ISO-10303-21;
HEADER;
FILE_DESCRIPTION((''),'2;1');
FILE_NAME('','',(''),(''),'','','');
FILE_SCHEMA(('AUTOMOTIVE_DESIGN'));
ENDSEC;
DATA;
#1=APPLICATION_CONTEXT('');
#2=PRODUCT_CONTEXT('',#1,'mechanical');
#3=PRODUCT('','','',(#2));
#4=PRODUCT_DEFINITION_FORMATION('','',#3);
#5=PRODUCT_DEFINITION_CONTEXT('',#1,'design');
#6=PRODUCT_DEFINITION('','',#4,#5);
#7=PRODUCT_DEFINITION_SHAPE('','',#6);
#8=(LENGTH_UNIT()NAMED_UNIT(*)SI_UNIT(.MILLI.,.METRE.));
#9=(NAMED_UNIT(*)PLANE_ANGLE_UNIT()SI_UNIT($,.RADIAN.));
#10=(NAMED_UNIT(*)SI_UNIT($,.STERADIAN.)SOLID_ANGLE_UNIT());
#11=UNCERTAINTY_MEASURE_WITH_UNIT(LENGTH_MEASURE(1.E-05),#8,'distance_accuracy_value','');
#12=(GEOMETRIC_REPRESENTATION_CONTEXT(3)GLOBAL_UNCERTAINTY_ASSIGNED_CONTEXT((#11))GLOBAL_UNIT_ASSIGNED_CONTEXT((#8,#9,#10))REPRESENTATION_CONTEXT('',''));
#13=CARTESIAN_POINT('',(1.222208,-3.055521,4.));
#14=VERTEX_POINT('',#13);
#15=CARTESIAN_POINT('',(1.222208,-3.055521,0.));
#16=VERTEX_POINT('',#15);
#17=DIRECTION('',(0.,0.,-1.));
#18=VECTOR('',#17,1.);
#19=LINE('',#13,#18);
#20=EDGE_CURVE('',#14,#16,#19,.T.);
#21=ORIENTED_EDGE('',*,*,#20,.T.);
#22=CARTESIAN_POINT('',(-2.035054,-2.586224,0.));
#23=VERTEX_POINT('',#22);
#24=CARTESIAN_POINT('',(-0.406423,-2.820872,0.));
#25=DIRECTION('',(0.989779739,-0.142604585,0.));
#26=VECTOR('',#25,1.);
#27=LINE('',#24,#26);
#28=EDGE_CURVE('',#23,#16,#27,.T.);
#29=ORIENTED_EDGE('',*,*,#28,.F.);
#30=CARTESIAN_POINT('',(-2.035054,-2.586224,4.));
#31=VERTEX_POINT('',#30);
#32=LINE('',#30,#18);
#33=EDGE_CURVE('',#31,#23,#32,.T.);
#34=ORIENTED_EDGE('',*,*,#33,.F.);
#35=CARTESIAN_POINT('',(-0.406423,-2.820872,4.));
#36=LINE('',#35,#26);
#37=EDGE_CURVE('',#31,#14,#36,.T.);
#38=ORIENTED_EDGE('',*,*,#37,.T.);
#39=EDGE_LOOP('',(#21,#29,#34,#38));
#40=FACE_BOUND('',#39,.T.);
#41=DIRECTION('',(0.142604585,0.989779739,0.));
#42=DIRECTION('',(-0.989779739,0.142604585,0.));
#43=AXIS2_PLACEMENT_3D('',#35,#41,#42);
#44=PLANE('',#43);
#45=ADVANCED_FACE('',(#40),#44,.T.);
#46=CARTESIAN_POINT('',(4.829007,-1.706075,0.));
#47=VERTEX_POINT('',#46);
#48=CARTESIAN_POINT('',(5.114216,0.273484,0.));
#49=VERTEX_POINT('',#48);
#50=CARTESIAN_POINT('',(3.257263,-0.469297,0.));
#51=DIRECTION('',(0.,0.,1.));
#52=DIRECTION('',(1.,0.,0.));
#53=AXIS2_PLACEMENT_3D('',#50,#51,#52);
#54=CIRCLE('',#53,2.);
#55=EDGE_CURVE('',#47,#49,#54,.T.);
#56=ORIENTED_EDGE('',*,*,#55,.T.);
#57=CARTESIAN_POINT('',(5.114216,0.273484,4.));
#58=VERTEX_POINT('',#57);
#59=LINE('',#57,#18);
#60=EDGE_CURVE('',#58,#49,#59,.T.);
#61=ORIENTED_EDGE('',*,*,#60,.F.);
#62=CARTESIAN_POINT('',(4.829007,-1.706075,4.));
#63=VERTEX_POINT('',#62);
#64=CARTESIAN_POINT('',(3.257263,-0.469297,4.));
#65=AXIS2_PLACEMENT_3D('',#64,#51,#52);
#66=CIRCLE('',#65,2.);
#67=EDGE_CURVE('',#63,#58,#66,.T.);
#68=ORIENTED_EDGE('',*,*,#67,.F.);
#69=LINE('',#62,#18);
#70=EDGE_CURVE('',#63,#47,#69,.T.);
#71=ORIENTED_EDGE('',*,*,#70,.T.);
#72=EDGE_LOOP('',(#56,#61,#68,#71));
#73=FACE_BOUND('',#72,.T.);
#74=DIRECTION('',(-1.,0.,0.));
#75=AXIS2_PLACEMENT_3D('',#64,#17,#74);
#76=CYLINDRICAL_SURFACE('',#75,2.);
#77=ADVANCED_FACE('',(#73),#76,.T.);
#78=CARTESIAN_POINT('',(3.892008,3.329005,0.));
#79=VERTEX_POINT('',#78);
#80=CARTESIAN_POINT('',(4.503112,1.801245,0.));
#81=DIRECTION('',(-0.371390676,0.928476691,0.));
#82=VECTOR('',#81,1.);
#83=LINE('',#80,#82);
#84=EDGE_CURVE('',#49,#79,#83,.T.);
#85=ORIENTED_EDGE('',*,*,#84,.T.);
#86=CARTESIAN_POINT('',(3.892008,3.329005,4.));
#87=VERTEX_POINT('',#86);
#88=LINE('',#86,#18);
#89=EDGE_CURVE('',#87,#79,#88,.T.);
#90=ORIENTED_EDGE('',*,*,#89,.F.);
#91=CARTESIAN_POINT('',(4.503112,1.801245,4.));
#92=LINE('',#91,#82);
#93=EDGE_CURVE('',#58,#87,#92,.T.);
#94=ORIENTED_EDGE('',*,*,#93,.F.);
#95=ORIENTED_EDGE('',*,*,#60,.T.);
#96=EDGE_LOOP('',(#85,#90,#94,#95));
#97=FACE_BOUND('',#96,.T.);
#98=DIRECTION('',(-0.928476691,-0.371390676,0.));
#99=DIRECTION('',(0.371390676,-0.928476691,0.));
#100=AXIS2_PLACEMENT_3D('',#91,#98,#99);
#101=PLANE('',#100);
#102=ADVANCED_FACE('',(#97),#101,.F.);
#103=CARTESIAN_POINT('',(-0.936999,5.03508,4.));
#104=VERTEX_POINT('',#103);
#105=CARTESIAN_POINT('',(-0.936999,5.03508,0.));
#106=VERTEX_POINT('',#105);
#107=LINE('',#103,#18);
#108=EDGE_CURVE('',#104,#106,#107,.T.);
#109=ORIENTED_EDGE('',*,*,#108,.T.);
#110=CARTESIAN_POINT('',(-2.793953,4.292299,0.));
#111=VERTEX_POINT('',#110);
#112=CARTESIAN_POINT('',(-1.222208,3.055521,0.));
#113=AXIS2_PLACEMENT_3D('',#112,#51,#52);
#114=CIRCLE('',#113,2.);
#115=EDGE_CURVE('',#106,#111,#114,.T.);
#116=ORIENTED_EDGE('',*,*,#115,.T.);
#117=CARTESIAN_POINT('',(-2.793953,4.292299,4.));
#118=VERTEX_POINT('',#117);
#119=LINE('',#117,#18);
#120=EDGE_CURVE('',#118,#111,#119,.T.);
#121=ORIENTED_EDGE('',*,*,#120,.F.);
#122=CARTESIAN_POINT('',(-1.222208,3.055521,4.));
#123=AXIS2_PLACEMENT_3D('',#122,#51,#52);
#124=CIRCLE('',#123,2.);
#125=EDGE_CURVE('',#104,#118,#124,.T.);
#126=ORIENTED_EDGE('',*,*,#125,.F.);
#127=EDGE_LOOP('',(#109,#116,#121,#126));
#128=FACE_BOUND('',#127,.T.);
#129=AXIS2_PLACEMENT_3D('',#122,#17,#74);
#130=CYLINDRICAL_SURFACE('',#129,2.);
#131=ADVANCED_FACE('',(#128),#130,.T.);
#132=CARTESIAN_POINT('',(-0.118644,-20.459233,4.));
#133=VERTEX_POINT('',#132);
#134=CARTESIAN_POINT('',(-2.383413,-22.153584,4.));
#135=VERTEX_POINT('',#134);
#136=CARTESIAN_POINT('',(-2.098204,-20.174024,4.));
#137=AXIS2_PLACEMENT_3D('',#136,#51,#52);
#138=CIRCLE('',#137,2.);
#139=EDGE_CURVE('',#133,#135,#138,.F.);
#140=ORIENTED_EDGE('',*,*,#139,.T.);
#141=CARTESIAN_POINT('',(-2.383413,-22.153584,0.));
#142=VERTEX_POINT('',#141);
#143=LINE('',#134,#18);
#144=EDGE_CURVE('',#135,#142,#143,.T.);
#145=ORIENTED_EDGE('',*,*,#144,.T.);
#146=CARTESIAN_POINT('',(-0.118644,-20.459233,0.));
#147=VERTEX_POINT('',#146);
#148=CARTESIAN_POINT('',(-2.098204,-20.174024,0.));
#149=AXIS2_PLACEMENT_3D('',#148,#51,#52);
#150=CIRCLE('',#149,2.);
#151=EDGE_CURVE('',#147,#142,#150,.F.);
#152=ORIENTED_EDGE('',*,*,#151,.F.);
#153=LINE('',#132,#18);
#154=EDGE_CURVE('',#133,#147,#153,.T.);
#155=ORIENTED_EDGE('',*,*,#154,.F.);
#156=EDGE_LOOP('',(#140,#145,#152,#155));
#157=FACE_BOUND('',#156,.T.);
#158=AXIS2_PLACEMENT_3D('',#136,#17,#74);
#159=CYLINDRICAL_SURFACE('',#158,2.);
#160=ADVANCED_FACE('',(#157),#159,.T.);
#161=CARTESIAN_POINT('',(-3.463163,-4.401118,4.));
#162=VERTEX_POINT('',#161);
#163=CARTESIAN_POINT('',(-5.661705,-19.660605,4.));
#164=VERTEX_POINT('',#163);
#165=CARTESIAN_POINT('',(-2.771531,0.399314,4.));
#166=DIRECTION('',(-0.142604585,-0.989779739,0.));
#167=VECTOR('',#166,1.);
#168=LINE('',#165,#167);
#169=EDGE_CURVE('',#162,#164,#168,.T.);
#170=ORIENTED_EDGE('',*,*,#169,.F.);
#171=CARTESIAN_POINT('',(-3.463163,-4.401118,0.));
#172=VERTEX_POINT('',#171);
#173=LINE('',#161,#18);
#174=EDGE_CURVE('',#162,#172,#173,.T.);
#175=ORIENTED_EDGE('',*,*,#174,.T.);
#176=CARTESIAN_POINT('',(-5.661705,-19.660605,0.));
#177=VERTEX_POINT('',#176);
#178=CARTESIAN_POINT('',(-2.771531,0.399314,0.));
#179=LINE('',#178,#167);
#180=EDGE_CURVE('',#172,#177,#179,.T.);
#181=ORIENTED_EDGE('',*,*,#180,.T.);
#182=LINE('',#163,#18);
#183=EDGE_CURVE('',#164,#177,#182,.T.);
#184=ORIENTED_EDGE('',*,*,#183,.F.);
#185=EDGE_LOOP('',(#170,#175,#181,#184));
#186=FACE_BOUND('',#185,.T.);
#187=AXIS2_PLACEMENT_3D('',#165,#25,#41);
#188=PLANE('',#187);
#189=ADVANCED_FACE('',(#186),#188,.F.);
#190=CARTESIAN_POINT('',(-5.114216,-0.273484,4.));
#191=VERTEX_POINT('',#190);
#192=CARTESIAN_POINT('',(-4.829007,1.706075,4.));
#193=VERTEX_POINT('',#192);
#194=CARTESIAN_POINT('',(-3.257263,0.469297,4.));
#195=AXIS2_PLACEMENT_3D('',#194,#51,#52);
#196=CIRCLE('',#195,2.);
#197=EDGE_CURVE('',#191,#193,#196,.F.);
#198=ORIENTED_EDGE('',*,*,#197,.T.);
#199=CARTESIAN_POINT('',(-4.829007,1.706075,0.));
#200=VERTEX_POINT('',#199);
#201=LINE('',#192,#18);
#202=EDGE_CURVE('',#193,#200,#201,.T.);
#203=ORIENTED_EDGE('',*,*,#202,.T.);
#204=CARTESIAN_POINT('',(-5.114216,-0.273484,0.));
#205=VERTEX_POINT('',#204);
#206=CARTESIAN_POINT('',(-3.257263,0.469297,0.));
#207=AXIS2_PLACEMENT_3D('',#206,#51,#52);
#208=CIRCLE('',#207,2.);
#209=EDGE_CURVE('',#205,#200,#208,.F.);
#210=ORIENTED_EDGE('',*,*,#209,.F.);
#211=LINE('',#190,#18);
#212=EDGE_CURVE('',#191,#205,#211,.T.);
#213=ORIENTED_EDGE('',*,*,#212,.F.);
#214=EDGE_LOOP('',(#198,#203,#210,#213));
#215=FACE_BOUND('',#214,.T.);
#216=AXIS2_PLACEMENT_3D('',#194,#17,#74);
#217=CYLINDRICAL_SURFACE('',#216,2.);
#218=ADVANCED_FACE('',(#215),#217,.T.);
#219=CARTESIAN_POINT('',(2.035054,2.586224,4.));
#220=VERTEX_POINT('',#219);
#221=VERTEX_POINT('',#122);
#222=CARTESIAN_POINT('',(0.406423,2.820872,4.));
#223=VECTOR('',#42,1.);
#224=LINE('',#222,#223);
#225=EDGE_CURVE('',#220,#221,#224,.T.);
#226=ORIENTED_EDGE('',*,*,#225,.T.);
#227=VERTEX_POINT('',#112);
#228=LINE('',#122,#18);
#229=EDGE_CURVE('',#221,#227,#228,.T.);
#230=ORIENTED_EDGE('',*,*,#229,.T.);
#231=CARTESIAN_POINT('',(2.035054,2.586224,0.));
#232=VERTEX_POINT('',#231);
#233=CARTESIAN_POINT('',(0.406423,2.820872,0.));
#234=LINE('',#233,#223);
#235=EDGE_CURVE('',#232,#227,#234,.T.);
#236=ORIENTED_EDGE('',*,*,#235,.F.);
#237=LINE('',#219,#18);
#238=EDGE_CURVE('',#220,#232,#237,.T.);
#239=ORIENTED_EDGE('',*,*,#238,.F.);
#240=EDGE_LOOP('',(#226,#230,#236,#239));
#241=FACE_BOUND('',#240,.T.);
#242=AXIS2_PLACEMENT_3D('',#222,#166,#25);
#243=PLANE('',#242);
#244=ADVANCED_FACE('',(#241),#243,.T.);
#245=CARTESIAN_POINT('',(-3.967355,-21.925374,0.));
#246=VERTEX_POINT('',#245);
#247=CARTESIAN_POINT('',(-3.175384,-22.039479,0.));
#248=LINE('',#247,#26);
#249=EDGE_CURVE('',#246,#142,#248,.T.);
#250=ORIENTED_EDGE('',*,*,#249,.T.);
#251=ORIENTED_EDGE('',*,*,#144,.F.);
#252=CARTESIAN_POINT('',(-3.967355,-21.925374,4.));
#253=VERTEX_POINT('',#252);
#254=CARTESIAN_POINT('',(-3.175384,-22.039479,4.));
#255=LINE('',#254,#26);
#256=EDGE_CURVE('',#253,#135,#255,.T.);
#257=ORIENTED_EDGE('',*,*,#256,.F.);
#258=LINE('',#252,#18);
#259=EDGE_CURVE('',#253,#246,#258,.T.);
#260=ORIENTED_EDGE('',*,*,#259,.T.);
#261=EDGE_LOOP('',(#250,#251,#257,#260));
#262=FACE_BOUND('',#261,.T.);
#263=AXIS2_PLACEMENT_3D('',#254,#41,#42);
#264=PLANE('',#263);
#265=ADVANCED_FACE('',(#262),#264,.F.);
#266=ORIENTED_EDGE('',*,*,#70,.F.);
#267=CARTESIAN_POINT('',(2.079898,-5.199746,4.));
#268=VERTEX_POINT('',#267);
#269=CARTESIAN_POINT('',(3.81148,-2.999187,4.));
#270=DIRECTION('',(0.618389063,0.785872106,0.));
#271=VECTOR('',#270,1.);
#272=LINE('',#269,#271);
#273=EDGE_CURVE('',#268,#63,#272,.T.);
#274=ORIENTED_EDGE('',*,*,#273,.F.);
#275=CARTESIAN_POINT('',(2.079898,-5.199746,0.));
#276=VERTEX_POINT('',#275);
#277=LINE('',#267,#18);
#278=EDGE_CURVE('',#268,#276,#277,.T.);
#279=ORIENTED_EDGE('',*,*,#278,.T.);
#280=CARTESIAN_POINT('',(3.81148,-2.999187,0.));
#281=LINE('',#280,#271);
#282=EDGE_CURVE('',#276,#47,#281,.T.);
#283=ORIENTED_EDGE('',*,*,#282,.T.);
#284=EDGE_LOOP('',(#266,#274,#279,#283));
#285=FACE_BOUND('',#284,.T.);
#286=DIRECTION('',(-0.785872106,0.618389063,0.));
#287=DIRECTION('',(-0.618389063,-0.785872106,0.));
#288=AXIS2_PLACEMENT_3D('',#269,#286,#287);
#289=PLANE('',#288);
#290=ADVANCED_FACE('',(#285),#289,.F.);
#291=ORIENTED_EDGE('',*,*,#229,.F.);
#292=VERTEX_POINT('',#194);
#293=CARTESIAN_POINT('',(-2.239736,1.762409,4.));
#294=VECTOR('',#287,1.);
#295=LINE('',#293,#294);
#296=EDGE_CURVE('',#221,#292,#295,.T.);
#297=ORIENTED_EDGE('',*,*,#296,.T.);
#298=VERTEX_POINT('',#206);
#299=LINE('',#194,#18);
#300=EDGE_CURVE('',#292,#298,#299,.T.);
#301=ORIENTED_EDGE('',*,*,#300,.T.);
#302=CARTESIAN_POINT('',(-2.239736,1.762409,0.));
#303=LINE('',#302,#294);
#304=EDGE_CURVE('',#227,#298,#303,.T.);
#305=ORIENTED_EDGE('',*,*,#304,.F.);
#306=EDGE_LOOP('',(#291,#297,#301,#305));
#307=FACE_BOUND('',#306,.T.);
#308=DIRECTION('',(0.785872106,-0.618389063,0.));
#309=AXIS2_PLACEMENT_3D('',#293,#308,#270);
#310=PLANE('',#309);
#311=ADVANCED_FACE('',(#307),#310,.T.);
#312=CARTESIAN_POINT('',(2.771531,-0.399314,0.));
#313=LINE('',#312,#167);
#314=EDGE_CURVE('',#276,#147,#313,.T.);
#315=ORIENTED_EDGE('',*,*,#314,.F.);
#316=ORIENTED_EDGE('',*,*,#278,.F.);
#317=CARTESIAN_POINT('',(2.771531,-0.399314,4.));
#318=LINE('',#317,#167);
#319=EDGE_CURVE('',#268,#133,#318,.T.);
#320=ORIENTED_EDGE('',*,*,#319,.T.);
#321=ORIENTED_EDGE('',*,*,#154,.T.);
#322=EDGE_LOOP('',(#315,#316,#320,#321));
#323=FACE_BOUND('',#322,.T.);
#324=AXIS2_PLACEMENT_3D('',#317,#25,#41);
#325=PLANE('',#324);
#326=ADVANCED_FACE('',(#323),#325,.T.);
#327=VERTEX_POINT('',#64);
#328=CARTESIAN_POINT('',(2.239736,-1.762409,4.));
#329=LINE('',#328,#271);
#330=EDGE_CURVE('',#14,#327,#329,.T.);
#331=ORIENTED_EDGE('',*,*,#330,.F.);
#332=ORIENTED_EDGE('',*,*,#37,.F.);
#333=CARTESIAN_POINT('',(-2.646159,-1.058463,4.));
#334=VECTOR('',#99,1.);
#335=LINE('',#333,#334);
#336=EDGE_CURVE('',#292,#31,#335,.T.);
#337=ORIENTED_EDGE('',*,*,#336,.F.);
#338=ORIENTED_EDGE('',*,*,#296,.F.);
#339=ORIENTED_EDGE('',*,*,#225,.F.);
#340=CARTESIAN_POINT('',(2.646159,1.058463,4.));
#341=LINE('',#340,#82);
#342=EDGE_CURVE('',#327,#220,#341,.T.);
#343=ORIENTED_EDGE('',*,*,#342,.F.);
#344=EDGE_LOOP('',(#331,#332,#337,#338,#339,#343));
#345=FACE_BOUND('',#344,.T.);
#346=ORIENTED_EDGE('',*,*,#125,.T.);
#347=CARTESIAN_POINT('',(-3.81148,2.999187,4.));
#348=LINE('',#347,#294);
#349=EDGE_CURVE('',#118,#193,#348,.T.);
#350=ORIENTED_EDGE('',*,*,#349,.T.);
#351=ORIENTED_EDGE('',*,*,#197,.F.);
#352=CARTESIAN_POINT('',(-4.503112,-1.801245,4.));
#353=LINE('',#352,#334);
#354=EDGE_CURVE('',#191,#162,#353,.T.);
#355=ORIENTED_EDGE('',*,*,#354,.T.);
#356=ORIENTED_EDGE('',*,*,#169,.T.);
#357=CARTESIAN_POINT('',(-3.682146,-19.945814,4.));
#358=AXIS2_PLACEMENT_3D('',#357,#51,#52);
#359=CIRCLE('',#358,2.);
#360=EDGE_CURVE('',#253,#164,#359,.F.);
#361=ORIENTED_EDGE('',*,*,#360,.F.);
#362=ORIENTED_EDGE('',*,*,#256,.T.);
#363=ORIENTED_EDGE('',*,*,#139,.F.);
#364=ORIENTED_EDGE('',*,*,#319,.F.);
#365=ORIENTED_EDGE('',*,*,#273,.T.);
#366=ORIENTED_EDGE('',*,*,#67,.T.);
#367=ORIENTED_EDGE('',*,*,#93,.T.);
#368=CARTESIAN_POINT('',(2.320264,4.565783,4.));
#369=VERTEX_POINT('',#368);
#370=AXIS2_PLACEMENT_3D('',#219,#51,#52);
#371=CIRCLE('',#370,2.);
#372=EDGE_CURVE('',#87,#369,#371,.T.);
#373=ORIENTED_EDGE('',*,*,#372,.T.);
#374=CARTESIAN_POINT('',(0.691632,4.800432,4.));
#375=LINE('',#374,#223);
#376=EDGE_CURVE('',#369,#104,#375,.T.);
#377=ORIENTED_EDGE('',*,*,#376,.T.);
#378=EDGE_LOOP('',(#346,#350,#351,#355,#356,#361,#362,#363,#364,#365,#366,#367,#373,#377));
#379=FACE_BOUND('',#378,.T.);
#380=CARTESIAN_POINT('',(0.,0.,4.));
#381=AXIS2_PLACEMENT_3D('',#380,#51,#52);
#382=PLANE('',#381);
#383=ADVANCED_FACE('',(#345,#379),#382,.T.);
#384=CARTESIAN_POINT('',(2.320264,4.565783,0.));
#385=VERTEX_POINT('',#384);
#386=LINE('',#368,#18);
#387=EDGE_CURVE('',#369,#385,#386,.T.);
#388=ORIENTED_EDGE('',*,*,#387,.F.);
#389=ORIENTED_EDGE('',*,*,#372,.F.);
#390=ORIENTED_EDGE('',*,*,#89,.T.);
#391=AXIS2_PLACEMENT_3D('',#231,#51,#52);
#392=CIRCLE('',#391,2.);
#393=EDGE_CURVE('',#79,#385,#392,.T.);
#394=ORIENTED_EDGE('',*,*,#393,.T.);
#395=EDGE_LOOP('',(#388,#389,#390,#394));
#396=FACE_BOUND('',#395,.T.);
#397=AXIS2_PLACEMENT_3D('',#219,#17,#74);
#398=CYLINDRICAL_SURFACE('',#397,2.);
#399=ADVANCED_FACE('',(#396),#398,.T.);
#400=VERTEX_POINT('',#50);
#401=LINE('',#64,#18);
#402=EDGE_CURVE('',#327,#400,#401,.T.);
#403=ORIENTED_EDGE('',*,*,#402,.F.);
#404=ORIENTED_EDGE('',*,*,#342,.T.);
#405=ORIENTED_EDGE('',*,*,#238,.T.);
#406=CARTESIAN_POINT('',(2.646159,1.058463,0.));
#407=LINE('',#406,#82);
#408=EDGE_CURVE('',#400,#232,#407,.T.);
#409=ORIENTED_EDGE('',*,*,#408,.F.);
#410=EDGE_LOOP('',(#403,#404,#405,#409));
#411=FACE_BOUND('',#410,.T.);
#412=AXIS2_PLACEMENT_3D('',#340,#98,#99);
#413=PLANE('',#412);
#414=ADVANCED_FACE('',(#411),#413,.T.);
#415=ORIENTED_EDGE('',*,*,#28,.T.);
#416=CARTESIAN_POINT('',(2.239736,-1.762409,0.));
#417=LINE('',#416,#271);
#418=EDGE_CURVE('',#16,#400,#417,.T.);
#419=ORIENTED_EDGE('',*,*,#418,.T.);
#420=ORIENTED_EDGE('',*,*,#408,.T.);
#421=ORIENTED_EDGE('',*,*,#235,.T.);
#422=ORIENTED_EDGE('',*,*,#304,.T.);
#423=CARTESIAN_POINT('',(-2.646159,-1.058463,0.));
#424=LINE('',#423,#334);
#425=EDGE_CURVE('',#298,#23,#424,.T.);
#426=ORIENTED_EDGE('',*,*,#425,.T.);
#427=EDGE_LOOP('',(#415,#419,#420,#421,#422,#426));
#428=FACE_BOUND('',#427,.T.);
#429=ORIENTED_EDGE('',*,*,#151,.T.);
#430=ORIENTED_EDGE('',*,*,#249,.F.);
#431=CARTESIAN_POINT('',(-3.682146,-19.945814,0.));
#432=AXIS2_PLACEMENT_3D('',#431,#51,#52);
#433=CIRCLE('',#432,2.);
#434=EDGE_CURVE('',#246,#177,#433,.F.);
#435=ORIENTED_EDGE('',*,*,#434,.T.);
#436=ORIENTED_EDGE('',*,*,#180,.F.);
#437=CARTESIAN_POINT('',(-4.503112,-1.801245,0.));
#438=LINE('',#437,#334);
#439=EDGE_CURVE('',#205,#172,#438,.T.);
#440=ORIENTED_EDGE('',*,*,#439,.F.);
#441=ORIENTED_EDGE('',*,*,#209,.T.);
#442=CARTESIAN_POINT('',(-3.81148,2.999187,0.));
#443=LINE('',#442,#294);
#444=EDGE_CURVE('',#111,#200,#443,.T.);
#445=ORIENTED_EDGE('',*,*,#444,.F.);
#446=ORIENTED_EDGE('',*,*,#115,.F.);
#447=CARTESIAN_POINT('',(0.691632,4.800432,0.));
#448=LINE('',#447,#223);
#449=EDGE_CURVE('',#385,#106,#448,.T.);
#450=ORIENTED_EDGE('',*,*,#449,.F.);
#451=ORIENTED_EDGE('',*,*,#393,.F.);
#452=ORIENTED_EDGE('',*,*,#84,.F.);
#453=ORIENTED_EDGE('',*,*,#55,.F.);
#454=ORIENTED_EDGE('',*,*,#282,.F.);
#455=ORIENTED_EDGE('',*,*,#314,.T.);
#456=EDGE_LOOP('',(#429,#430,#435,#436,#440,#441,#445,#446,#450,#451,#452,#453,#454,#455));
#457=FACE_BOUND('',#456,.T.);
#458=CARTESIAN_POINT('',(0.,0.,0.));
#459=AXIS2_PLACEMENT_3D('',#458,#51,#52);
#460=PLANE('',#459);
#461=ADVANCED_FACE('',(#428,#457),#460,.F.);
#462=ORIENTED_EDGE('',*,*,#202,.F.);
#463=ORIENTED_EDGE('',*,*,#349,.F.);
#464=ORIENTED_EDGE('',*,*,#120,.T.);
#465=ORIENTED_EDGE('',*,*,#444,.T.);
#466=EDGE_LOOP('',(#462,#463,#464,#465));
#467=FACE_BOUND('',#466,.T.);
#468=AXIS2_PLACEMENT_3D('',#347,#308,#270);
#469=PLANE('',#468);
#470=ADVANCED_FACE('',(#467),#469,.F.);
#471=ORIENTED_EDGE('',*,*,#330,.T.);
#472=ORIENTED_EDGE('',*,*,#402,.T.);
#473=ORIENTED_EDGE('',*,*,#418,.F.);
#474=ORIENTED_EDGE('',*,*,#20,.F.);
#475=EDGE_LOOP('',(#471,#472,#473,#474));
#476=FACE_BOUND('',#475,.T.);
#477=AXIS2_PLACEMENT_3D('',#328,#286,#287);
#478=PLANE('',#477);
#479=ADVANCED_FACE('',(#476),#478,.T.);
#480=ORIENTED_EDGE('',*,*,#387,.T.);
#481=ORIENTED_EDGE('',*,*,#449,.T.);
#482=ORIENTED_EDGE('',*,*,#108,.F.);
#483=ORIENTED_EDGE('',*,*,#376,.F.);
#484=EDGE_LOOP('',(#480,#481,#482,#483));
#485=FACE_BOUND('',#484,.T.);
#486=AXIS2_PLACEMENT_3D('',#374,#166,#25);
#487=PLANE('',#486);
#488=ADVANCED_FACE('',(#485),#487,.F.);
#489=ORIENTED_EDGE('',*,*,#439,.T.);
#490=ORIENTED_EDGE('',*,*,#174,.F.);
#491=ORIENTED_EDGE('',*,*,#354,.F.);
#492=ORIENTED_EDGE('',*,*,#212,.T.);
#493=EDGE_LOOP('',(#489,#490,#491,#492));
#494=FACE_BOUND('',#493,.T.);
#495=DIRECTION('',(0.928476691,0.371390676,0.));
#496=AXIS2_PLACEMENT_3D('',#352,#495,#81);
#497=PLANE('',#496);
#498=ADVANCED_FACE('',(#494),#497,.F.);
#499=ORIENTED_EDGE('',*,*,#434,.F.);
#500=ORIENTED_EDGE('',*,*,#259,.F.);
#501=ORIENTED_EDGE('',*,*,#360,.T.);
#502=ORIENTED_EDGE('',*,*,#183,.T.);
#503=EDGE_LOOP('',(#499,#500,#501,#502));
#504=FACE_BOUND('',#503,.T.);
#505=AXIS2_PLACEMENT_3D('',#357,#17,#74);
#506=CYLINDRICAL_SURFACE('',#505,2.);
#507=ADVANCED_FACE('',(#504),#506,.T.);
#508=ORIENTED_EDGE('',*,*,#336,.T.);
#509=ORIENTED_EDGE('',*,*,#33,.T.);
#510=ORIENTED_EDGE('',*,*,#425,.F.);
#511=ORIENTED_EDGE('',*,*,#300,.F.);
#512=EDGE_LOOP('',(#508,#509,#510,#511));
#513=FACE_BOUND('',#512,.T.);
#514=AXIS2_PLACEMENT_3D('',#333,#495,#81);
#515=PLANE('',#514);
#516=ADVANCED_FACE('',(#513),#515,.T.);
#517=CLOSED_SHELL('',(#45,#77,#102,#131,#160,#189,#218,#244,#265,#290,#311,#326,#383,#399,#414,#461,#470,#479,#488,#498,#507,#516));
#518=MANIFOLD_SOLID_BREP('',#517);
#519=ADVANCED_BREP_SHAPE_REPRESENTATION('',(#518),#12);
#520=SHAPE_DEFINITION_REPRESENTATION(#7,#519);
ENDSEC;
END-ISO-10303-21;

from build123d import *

# Parameters (mm, degrees)
BOSS_EXTRUDE1_DEPTH = 4


with BuildPart() as part:
    # Sketch1 → Boss-Extrude1 (new body)
    # profile 1 of 2: a face of its own
    with BuildSketch(Plane.XY):
        with BuildLine():
            ThreePointArc((-5.114216096, -0.273484418), (-5.236822192, 0.754506105), (-4.829006926, 1.70607506))
            Line((-4.829006926, 1.70607506), (-2.793952502, 4.29229885))
            ThreePointArc((-2.793952502, 4.29229885), (-1.964989642, 4.912474106), (-0.93699912, 5.035080203))
            Line((-0.93699912, 5.035080203), (2.320263594, 4.565783268))
            ThreePointArc((2.320263594, 4.565783268), (3.27183255, 4.157968002), (3.892007806, 3.329005142))
            Line((3.892007806, 3.329005142), (5.114216096, 0.273484418))
            ThreePointArc((5.114216096, 0.273484418), (5.236822192, -0.754506105), (4.829006926, -1.70607506))
            Line((4.829006926, -1.70607506), (2.079898318, -5.199745794))
            Line((2.079898318, -5.199745794), (-3.463162792, -4.401117677))
            Line((-3.463162792, -4.401117677), (-5.114216096, -0.273484418))
        make_face()
        Polygon((-2.035054424, -2.58622379), (1.22220829, -3.055520724), (3.257262714, -0.469296935), (2.035054424, 2.58622379), (-1.22220829, 3.055520724), (-3.257262714, 0.469296935), align=None, mode=Mode.SUBTRACT)
    # profile 2 of 2: a face of its own
    with BuildSketch(Plane.XY):
        with BuildLine():
            ThreePointArc((-3.967355061, -21.92537395), (-5.283579161, -21.143901064), (-5.66170537, -19.660605301))
            Line((-5.66170537, -19.660605301), (-3.463162792, -4.401117677))
            Line((-3.463162792, -4.401117677), (2.079898318, -5.199745794))
            Line((2.079898318, -5.199745794), (-0.11864426, -20.459233418))
            ThreePointArc((-0.11864426, -20.459233418), (-0.900117146, -21.775457517), (-2.383412909, -22.153583726))
            Line((-2.383412909, -22.153583726), (-3.967355061, -21.92537395))
        make_face()
    extrude(amount=BOSS_EXTRUDE1_DEPTH)


solid = part.part
